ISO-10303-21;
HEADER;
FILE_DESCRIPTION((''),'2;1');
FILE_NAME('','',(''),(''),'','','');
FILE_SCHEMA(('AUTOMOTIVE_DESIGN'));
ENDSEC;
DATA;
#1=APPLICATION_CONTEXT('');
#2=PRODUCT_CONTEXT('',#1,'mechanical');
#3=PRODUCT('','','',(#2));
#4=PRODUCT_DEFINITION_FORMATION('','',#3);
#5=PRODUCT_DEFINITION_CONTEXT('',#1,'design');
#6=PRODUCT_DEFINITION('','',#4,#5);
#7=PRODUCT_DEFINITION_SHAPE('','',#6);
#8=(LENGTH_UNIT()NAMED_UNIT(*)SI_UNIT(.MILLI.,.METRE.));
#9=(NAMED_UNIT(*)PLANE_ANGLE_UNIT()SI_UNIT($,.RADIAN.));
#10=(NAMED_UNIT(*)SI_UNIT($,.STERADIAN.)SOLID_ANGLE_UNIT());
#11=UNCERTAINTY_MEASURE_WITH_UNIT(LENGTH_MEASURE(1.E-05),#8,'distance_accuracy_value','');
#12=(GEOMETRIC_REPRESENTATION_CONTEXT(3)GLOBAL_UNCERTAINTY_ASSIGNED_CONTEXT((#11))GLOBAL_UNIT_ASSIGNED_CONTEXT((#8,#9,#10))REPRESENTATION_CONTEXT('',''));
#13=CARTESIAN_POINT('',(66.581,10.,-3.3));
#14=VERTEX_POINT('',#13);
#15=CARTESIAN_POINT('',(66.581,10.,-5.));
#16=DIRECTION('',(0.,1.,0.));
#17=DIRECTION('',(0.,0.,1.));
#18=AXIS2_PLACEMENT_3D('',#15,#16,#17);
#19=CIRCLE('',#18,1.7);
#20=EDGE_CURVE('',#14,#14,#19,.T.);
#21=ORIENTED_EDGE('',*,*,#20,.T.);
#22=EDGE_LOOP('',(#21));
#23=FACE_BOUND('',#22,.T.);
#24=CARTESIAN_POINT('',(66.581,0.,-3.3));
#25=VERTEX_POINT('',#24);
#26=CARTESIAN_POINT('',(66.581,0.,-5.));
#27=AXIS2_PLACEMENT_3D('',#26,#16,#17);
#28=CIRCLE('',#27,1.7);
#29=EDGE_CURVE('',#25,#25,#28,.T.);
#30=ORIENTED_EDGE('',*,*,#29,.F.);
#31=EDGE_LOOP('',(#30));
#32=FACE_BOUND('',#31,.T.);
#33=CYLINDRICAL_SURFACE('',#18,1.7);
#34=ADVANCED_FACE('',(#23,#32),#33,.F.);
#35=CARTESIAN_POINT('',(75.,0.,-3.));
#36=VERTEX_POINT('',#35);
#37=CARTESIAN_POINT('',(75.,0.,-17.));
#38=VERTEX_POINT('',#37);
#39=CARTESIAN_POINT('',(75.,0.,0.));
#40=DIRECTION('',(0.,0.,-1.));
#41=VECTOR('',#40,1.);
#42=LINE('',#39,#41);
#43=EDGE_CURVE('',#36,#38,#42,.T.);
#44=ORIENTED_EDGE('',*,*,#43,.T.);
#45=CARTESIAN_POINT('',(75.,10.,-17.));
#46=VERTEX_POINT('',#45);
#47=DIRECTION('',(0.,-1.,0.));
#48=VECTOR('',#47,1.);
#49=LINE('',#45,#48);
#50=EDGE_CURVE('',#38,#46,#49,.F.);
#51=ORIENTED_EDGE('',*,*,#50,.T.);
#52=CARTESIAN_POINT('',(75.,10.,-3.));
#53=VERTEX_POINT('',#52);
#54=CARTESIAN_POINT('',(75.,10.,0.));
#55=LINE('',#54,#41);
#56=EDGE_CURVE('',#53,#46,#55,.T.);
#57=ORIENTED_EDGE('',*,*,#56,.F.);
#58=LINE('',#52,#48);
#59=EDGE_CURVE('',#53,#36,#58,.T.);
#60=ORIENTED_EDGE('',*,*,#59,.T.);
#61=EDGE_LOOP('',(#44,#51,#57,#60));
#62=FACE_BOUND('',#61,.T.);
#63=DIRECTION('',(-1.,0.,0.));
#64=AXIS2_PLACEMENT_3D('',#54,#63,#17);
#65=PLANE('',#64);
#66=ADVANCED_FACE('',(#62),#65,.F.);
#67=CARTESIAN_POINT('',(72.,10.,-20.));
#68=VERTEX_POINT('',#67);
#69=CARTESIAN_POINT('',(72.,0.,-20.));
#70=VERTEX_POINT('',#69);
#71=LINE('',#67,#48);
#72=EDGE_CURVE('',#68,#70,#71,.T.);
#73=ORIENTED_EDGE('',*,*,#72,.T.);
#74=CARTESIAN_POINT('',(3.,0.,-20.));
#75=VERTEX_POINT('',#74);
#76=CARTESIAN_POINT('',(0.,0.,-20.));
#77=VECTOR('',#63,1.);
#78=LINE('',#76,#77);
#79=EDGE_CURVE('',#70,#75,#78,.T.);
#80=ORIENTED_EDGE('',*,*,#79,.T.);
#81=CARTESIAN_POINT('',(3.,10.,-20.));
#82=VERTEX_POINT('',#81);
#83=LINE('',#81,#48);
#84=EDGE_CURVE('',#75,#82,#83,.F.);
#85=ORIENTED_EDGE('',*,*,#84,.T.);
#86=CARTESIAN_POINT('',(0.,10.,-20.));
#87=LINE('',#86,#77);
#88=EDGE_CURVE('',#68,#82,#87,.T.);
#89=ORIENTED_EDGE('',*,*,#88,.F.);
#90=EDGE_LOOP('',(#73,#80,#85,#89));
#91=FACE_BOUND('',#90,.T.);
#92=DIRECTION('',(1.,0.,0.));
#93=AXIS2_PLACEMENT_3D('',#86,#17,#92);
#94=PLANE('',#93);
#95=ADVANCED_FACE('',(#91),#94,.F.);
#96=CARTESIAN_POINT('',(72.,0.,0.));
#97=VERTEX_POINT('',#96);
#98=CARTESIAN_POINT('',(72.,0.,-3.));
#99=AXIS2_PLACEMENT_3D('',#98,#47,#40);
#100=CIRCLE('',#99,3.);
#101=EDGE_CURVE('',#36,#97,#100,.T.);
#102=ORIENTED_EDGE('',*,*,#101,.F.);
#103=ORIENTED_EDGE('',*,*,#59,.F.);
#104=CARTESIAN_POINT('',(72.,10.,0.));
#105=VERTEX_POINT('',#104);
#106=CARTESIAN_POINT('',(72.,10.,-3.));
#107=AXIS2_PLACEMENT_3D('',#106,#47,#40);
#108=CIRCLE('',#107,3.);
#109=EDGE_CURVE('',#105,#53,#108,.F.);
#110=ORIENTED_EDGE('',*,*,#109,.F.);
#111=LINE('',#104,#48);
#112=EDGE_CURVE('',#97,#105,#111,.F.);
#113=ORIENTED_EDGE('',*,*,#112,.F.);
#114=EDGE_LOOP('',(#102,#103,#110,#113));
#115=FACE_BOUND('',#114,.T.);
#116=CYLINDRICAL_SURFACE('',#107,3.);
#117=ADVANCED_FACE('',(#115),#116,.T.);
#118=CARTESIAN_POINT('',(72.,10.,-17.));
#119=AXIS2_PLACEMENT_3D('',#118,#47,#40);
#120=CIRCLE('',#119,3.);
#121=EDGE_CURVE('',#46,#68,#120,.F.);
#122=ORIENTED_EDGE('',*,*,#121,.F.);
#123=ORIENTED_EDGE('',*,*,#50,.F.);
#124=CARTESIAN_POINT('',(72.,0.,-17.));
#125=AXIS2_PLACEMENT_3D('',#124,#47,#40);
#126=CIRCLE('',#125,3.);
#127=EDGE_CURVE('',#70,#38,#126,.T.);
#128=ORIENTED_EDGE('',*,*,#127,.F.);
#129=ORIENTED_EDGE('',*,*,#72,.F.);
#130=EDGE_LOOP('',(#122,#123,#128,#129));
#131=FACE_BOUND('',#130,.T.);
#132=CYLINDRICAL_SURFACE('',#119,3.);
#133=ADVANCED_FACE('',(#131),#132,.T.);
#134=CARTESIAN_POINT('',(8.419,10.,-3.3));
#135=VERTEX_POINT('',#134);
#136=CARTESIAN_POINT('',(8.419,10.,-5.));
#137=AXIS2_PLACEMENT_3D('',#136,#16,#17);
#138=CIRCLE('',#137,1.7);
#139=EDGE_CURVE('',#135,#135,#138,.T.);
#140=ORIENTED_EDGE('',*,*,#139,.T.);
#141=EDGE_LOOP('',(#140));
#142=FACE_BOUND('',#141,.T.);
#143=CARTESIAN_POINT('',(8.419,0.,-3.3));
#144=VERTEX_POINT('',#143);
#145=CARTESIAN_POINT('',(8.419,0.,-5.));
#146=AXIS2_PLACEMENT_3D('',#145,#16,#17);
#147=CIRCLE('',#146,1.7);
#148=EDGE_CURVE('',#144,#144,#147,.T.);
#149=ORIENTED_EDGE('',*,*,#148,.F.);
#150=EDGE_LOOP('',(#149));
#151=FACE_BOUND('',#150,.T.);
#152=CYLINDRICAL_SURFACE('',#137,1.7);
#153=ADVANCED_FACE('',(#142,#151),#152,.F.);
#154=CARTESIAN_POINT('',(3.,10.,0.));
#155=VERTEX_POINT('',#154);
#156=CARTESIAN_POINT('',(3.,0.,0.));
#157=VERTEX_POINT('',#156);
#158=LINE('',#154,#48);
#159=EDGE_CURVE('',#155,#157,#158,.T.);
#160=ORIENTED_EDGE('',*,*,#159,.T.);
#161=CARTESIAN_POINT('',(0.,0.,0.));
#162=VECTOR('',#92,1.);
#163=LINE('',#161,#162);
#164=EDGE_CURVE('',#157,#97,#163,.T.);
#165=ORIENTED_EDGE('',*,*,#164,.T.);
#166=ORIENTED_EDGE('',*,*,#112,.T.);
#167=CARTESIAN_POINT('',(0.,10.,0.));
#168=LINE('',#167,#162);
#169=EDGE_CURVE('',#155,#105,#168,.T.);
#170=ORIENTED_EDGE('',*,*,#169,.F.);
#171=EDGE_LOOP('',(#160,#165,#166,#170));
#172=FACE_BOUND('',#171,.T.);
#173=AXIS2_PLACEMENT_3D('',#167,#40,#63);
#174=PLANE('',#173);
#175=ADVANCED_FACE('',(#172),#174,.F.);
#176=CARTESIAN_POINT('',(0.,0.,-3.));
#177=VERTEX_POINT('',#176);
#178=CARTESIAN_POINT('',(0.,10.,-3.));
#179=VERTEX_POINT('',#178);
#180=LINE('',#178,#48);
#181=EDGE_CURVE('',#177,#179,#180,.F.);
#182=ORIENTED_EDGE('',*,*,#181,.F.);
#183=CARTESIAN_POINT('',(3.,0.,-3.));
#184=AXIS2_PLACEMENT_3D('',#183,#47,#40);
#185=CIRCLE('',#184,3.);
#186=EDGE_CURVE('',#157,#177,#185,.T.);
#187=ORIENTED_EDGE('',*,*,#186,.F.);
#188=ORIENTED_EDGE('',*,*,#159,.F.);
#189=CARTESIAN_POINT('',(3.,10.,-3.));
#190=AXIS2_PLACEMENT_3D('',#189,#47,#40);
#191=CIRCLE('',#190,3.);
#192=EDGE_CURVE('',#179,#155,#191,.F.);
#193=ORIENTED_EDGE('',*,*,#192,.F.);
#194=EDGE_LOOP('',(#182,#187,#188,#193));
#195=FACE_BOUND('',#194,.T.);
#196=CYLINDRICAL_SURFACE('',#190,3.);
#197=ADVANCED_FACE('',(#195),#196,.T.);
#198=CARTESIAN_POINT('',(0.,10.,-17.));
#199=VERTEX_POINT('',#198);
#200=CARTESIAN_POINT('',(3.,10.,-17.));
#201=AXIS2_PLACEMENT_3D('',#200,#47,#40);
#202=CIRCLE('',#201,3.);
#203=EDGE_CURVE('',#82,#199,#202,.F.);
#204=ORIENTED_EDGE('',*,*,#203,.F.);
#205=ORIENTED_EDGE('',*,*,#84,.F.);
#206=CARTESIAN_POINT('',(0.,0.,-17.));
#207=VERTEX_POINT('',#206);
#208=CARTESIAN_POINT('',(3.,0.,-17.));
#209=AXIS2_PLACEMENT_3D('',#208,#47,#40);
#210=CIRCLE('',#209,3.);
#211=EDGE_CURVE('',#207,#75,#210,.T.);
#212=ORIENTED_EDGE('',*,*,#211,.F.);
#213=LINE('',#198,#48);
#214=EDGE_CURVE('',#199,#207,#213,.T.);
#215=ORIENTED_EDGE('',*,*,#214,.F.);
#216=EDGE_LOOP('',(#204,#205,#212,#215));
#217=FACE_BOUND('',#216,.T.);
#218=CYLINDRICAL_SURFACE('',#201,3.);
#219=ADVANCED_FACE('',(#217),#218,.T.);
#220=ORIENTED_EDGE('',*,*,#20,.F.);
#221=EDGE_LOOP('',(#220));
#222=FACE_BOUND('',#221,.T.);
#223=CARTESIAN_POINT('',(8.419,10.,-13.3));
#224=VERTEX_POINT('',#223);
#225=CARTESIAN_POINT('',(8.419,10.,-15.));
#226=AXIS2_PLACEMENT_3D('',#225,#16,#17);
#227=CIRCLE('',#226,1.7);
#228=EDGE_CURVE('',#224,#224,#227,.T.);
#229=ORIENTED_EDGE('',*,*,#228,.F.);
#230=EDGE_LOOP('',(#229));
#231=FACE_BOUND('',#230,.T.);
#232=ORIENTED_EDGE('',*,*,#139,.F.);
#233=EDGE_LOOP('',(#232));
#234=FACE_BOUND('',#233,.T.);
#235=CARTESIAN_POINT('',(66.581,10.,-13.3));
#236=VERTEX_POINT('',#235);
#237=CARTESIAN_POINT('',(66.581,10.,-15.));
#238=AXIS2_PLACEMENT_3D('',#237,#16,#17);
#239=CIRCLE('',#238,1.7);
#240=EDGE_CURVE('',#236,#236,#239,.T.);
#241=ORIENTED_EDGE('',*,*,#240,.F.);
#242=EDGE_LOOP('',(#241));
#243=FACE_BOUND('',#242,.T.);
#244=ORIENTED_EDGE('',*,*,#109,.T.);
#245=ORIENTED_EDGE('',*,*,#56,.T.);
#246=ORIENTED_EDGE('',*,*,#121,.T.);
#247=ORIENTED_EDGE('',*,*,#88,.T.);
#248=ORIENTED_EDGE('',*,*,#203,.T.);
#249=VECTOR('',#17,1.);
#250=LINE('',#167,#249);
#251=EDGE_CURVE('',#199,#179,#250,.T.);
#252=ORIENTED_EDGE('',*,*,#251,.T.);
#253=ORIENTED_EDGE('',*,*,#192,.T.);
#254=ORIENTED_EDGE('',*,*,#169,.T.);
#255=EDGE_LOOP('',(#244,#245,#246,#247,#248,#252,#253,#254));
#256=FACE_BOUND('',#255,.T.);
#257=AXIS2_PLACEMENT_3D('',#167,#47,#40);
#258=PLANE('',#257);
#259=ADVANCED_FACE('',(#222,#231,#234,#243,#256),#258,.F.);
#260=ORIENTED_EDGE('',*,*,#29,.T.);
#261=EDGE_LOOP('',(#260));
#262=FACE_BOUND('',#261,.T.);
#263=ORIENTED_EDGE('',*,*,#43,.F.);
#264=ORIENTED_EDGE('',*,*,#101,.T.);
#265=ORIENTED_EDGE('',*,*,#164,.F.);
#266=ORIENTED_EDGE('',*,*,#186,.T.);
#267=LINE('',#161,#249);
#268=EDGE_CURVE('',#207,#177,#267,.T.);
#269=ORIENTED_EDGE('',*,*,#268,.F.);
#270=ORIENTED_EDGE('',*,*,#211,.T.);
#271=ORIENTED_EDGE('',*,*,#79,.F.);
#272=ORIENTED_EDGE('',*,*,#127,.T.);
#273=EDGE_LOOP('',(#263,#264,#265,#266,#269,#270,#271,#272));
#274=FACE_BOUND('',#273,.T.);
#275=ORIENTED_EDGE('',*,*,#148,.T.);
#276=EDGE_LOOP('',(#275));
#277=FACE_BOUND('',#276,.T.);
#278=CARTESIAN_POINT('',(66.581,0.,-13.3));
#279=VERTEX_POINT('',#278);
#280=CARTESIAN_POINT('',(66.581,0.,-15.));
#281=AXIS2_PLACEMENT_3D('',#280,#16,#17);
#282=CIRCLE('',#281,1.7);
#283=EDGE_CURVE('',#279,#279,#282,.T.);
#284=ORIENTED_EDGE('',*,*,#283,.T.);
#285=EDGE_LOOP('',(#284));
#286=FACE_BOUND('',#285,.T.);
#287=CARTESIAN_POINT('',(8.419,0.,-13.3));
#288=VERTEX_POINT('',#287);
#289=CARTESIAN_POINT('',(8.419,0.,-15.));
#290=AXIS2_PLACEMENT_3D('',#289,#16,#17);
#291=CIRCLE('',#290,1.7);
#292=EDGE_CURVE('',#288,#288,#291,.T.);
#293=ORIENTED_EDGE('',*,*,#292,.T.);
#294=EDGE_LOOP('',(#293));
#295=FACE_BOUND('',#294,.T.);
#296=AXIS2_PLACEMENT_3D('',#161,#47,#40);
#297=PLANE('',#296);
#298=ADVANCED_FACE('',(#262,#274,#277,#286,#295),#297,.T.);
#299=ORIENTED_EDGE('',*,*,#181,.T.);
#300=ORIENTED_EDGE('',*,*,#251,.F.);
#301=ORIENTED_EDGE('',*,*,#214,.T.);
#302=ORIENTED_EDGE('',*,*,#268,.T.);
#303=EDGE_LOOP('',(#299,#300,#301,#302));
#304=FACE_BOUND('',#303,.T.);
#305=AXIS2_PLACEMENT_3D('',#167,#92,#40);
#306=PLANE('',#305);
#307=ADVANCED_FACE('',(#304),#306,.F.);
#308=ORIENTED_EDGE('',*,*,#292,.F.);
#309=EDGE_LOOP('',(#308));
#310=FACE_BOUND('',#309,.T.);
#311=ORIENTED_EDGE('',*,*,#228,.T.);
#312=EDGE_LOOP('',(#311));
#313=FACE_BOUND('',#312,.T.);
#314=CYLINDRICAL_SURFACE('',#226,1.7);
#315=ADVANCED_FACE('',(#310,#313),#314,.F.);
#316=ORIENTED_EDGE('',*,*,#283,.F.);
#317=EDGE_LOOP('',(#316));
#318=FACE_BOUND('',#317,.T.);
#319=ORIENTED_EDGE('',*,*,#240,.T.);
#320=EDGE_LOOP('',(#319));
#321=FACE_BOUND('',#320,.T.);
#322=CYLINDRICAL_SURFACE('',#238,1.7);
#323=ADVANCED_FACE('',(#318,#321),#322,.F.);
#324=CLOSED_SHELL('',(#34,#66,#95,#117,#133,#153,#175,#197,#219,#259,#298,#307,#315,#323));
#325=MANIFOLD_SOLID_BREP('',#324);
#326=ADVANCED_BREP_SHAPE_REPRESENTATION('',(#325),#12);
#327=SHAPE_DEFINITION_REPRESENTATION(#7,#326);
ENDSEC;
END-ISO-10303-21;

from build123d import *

# Parameters (mm, degrees)
SKETCH1_W            = 75
SKETCH1_H            = 20
BOSS_EXTRUDE1_DEPTH  = 10
FILLET1_R            = 3
M3_CLEARANCE_HOLE1_D = 3.4


with BuildPart() as part:
    # Sketch1 → Boss-Extrude1 (new body)
    with BuildSketch(Plane(origin=(0, 0, 0), x_dir=(1, 0, 0), z_dir=(0, 1, 0))):
        with Locations((37.5, 10)):
            Rectangle(SKETCH1_W, SKETCH1_H)
    extrude(amount=BOSS_EXTRUDE1_DEPTH)

    # Fillet1
    fillet1_edges = [part.edges().sort_by_distance(p)[0] for p in [
        (0, 5, -20),
        (75, 5, -20),
        (75, 5, 0),
        (0, 5, 0),
    ]]
    fillet(fillet1_edges, radius=FILLET1_R)

    # M3 Clearance Hole1 (through all)
    with Locations(Plane(origin=(67.535318197, 10, -35.416339767), x_dir=(1, 0, 0), z_dir=(0, 1, 0))):
        with Locations((-0.954318197, -20.416339767), (-0.954318197, -30.416339767), (-59.116318197, -30.416339767), (-59.116318197, -20.416339767)):
            Hole(M3_CLEARANCE_HOLE1_D / 2)


solid = part.part
